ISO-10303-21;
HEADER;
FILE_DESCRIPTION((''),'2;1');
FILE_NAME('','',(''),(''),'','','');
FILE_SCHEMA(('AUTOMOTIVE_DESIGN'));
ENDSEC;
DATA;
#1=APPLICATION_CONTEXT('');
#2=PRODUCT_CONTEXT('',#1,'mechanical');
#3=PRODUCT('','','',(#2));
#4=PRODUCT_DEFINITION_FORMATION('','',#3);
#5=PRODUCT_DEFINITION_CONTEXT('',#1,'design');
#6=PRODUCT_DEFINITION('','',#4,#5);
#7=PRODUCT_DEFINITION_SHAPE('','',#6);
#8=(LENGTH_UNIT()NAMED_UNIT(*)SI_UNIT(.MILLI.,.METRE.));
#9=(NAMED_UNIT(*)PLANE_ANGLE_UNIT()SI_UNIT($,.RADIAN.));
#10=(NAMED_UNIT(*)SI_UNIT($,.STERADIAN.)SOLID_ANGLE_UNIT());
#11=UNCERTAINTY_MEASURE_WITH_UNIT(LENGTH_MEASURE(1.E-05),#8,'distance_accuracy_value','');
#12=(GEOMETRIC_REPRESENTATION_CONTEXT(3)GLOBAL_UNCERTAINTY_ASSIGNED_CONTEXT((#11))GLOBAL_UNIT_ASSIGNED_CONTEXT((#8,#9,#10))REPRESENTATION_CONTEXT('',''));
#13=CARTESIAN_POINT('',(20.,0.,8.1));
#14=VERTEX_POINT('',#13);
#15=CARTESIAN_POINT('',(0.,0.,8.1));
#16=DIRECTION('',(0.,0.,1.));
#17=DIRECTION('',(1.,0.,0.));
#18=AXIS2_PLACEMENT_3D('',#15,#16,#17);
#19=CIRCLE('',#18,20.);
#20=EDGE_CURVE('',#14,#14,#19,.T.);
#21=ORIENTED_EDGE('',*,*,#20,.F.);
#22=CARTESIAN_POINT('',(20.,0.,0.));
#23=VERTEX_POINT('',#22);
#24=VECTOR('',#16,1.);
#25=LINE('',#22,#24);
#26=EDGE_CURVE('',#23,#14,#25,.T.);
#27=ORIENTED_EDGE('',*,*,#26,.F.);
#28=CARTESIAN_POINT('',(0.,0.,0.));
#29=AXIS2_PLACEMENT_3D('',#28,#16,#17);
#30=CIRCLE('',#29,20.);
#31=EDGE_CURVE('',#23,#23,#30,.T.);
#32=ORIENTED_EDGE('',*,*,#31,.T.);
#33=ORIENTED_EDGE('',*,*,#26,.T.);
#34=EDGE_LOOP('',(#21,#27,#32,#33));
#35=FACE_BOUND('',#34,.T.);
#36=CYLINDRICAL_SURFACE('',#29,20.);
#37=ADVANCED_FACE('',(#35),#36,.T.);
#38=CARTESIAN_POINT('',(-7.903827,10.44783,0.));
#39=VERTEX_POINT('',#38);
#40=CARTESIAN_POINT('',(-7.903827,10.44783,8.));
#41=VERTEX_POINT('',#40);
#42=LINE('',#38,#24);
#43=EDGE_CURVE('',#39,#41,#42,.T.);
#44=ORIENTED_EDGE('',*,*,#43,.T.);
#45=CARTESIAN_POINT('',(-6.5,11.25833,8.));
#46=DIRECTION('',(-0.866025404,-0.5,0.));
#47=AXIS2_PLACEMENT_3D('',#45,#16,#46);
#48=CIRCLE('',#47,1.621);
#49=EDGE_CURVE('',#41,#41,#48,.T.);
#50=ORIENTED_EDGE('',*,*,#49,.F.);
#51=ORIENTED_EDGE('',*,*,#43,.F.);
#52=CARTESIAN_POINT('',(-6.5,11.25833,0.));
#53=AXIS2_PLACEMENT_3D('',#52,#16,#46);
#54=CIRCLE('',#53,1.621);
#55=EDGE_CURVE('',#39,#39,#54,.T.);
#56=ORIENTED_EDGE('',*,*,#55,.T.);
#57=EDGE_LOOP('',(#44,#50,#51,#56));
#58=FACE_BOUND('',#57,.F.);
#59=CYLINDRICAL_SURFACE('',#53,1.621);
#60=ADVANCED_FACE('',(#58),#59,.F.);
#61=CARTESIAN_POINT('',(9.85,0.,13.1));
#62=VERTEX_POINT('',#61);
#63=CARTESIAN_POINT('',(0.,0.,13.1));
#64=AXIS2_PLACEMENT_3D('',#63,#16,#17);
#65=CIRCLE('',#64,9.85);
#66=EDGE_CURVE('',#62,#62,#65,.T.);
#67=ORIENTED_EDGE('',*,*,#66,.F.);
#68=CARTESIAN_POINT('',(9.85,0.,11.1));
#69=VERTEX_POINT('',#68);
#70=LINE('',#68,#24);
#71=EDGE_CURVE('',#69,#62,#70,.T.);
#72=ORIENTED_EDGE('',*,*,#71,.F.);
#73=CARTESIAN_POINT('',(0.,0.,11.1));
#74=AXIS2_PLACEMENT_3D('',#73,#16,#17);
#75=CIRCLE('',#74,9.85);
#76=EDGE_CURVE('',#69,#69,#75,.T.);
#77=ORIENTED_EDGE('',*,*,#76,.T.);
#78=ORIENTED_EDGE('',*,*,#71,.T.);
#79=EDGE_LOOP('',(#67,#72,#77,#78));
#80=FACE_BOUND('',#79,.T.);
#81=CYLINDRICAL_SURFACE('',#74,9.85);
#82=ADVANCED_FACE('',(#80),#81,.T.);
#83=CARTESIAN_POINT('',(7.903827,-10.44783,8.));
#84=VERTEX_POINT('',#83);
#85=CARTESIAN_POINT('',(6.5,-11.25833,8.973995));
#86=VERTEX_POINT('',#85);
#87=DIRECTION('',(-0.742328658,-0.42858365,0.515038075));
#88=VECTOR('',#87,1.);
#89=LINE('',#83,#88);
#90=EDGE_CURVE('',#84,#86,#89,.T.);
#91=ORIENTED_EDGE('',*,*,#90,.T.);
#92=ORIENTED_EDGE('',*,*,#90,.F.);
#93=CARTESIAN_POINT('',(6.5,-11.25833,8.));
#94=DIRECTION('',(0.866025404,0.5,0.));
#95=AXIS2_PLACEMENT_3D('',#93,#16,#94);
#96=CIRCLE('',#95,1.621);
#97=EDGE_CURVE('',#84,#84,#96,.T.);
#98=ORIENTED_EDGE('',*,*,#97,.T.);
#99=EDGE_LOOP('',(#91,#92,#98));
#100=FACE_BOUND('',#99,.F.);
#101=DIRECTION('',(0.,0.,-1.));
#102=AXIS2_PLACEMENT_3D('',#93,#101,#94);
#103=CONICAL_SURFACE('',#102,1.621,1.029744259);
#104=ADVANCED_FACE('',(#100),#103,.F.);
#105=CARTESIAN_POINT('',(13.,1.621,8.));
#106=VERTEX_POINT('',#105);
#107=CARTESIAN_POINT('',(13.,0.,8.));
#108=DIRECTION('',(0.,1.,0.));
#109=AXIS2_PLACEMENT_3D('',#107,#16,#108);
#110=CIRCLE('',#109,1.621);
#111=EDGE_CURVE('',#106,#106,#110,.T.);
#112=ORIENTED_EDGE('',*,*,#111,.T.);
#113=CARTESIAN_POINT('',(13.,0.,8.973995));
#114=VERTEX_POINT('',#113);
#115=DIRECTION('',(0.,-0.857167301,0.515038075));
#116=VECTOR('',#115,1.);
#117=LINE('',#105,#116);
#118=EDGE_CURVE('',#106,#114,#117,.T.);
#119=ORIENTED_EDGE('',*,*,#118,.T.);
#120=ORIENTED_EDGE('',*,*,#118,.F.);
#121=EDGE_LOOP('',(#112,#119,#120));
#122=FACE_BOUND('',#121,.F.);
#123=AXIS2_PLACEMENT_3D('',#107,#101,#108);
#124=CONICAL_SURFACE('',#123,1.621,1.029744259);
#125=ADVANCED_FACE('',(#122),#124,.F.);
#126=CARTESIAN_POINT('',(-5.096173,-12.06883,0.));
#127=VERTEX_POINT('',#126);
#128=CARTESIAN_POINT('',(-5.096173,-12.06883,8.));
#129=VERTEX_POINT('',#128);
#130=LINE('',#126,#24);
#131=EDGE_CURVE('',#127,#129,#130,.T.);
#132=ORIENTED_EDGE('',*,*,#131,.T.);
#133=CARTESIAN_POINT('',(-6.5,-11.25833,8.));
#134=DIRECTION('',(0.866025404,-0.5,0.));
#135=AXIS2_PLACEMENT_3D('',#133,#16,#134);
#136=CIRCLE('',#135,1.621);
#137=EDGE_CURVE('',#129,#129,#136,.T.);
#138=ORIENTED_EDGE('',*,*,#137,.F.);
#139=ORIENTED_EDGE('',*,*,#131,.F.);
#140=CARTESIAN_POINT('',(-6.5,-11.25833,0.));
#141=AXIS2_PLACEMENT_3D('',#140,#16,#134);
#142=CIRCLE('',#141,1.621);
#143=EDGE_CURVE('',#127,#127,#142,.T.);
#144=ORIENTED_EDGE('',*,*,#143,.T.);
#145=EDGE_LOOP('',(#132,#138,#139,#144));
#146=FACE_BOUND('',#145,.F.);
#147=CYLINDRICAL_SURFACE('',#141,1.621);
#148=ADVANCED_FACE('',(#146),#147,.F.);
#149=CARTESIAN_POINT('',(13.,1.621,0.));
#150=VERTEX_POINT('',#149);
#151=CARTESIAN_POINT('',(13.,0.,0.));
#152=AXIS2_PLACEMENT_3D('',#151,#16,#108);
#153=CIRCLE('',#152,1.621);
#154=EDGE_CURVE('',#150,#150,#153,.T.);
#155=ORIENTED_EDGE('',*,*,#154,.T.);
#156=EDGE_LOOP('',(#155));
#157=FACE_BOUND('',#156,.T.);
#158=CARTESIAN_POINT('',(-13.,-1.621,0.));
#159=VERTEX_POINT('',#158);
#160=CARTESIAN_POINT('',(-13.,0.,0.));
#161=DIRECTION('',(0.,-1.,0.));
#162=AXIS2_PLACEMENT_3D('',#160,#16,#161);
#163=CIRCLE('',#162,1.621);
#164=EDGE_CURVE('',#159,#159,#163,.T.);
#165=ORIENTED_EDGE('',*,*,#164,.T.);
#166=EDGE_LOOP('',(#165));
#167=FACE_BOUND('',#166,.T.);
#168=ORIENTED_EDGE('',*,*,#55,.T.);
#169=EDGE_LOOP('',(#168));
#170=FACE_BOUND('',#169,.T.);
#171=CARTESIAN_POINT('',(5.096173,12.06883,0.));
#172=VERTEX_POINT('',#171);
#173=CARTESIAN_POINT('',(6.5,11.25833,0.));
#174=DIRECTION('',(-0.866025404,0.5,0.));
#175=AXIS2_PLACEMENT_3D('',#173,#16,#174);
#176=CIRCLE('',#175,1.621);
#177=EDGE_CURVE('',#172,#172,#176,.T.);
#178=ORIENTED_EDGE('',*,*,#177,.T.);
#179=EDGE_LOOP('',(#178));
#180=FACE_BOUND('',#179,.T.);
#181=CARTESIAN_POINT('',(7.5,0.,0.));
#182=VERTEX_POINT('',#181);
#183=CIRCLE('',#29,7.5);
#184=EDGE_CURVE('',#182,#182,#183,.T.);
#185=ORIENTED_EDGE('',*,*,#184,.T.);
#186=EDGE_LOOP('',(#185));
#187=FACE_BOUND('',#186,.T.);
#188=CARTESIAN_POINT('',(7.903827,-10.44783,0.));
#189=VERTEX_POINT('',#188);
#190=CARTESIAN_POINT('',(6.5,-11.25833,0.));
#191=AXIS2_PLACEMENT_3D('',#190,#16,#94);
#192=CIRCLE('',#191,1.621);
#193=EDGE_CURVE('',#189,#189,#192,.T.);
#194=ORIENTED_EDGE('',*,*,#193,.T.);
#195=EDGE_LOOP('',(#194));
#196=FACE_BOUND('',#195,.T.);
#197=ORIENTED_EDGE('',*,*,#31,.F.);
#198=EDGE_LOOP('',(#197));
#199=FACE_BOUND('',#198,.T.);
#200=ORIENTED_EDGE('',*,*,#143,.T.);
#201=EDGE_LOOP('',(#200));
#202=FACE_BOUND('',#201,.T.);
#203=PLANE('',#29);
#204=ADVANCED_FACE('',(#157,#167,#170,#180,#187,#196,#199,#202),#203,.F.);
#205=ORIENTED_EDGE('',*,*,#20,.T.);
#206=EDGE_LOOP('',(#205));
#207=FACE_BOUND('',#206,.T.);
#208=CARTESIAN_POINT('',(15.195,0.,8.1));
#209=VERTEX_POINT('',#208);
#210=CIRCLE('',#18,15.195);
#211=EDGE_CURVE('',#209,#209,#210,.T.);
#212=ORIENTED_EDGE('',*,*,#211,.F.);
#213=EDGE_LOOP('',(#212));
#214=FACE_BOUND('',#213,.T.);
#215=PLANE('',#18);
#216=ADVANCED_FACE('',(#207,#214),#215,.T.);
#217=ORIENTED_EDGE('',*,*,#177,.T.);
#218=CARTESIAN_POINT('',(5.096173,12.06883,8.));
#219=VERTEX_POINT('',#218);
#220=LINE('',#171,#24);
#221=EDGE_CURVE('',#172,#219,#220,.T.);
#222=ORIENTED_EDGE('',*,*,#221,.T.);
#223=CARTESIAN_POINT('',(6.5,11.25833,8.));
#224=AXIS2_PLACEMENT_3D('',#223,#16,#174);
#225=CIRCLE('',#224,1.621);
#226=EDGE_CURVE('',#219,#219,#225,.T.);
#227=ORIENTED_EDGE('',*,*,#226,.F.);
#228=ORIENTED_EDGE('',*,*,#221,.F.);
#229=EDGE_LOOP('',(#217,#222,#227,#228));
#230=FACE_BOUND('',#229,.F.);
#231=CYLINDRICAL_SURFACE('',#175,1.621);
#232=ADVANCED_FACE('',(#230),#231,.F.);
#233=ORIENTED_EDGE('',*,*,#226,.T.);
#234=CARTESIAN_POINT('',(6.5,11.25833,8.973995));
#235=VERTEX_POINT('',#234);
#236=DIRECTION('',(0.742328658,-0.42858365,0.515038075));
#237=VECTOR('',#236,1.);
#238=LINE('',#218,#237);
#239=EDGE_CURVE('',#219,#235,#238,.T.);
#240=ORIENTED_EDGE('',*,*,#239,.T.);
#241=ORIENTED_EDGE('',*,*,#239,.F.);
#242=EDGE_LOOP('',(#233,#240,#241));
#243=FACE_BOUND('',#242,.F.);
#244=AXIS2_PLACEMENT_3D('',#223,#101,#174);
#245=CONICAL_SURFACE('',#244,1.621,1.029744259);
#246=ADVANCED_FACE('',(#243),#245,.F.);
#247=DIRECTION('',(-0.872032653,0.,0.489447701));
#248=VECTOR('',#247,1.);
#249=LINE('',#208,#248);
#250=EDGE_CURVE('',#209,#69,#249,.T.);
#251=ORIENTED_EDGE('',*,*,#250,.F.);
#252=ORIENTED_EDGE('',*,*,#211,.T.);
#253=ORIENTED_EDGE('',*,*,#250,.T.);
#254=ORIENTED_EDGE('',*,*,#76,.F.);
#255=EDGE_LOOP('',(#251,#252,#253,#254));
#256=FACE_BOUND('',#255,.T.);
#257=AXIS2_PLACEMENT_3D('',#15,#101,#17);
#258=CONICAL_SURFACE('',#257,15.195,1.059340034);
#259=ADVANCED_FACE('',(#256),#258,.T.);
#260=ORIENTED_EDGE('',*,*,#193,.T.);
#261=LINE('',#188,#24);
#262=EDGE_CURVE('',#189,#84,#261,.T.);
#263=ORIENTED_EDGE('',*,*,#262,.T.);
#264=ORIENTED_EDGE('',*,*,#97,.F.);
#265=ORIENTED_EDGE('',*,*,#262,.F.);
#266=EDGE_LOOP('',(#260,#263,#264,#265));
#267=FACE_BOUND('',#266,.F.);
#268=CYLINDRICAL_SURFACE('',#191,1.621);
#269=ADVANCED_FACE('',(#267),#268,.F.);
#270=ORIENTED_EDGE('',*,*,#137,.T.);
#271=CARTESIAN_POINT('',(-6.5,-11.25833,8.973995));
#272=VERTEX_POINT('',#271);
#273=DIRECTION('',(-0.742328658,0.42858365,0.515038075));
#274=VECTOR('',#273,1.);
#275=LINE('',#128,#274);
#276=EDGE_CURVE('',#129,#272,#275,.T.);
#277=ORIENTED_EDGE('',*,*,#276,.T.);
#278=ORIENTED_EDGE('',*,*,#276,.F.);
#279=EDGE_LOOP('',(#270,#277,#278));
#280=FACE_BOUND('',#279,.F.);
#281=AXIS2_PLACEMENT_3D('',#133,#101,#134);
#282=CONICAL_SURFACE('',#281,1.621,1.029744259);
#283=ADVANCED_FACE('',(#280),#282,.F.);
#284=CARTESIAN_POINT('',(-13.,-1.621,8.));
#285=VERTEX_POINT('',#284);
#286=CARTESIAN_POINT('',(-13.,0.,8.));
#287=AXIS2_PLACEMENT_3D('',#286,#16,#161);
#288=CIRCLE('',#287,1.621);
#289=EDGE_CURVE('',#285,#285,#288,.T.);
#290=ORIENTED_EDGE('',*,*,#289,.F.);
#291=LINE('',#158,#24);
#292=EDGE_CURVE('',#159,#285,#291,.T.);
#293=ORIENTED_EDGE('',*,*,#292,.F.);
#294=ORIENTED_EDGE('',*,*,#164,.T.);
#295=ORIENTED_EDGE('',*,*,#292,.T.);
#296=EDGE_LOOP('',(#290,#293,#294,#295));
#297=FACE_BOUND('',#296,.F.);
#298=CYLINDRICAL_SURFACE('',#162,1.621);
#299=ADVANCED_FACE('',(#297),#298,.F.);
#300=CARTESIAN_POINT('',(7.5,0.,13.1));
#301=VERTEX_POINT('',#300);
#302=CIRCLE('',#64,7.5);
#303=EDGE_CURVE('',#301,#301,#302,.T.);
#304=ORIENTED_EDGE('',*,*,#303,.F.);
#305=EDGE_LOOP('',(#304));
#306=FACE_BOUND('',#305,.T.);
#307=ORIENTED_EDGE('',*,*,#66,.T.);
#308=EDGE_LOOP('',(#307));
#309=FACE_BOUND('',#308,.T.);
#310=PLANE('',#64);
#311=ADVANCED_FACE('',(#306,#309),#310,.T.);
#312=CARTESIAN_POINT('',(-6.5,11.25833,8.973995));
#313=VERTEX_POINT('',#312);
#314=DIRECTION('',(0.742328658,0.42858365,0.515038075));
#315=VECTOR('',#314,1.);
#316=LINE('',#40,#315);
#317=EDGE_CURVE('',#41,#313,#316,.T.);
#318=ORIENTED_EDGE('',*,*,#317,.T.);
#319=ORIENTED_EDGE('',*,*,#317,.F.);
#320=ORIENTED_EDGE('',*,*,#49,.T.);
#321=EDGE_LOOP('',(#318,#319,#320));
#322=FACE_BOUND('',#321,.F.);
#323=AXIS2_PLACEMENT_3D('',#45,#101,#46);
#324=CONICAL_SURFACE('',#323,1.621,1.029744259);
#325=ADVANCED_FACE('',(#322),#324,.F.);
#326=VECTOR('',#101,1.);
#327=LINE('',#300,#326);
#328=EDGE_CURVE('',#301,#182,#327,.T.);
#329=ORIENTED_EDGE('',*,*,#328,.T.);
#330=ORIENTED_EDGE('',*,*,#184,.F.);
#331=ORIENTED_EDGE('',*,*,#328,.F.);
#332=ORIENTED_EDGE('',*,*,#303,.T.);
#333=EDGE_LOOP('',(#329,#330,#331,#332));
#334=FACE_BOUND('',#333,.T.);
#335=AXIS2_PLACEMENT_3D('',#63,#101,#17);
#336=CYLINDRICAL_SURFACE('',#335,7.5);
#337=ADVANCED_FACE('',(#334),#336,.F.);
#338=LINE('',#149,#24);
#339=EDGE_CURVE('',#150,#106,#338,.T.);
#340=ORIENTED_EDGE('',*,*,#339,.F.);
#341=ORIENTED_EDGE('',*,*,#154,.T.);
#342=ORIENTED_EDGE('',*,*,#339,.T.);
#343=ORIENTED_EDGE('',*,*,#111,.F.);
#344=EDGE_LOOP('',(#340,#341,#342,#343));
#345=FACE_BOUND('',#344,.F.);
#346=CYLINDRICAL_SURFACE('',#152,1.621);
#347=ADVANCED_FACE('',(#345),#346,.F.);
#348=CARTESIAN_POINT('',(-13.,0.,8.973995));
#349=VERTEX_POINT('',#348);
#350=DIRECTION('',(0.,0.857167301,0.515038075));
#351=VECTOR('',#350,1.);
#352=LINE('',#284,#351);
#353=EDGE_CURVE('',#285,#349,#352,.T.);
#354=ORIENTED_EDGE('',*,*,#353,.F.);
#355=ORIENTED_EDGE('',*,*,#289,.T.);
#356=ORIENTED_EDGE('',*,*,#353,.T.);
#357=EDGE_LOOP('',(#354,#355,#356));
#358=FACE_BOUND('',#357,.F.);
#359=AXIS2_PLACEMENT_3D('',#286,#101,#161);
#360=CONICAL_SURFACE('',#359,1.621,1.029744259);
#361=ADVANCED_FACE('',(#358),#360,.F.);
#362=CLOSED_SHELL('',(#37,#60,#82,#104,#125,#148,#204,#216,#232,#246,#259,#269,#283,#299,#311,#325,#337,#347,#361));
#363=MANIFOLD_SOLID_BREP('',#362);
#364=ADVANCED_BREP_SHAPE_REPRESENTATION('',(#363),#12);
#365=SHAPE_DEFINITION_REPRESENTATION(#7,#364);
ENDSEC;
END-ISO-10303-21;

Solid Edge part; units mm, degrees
sketch "Sketch1" plane through (0, 0, 0) normal (0, -1, 0) x (1, 0, 0)
  line L0 (7.5, 13.1) -> (7.5, 0)
  line L1 (7.5, 0) -> (20, 0)
  line L2 (20, 0) -> (20, 8.1)
  line L3 (20, 8.1) -> (15.195, 8.1)
  line L4 (15.195, 8.1) -> (9.85, 11.1)
  line L5 (9.85, 11.1) -> (9.85, 13.1)
  line L6 (9.85, 13.1) -> (7.5, 13.1)
  dimension "D1" = 7.5
  dimension "D2" = 5
  dimension "D3" = 13.1
  dimension "D4" = 9.85
  dimension "D5" = 20
  dimension "D6" = 15.195
  dimension "D7" = 2
revolve "RevolvedProtrusion1" add sketch "Sketch1" angle 360 about axis through (0, 0, 0) along (0, 0, 1)
hole "Agujero_1" at (13, 0, 0) direction (0, 0, 1) diameter 3.242 depth 8 tip angle 118 thread major 4 thread length 7
pattern_circular "Pattern1" count 6 over 360 about axis through (0, 0, 0) along (0, 0, -1) of "Agujero_1"
